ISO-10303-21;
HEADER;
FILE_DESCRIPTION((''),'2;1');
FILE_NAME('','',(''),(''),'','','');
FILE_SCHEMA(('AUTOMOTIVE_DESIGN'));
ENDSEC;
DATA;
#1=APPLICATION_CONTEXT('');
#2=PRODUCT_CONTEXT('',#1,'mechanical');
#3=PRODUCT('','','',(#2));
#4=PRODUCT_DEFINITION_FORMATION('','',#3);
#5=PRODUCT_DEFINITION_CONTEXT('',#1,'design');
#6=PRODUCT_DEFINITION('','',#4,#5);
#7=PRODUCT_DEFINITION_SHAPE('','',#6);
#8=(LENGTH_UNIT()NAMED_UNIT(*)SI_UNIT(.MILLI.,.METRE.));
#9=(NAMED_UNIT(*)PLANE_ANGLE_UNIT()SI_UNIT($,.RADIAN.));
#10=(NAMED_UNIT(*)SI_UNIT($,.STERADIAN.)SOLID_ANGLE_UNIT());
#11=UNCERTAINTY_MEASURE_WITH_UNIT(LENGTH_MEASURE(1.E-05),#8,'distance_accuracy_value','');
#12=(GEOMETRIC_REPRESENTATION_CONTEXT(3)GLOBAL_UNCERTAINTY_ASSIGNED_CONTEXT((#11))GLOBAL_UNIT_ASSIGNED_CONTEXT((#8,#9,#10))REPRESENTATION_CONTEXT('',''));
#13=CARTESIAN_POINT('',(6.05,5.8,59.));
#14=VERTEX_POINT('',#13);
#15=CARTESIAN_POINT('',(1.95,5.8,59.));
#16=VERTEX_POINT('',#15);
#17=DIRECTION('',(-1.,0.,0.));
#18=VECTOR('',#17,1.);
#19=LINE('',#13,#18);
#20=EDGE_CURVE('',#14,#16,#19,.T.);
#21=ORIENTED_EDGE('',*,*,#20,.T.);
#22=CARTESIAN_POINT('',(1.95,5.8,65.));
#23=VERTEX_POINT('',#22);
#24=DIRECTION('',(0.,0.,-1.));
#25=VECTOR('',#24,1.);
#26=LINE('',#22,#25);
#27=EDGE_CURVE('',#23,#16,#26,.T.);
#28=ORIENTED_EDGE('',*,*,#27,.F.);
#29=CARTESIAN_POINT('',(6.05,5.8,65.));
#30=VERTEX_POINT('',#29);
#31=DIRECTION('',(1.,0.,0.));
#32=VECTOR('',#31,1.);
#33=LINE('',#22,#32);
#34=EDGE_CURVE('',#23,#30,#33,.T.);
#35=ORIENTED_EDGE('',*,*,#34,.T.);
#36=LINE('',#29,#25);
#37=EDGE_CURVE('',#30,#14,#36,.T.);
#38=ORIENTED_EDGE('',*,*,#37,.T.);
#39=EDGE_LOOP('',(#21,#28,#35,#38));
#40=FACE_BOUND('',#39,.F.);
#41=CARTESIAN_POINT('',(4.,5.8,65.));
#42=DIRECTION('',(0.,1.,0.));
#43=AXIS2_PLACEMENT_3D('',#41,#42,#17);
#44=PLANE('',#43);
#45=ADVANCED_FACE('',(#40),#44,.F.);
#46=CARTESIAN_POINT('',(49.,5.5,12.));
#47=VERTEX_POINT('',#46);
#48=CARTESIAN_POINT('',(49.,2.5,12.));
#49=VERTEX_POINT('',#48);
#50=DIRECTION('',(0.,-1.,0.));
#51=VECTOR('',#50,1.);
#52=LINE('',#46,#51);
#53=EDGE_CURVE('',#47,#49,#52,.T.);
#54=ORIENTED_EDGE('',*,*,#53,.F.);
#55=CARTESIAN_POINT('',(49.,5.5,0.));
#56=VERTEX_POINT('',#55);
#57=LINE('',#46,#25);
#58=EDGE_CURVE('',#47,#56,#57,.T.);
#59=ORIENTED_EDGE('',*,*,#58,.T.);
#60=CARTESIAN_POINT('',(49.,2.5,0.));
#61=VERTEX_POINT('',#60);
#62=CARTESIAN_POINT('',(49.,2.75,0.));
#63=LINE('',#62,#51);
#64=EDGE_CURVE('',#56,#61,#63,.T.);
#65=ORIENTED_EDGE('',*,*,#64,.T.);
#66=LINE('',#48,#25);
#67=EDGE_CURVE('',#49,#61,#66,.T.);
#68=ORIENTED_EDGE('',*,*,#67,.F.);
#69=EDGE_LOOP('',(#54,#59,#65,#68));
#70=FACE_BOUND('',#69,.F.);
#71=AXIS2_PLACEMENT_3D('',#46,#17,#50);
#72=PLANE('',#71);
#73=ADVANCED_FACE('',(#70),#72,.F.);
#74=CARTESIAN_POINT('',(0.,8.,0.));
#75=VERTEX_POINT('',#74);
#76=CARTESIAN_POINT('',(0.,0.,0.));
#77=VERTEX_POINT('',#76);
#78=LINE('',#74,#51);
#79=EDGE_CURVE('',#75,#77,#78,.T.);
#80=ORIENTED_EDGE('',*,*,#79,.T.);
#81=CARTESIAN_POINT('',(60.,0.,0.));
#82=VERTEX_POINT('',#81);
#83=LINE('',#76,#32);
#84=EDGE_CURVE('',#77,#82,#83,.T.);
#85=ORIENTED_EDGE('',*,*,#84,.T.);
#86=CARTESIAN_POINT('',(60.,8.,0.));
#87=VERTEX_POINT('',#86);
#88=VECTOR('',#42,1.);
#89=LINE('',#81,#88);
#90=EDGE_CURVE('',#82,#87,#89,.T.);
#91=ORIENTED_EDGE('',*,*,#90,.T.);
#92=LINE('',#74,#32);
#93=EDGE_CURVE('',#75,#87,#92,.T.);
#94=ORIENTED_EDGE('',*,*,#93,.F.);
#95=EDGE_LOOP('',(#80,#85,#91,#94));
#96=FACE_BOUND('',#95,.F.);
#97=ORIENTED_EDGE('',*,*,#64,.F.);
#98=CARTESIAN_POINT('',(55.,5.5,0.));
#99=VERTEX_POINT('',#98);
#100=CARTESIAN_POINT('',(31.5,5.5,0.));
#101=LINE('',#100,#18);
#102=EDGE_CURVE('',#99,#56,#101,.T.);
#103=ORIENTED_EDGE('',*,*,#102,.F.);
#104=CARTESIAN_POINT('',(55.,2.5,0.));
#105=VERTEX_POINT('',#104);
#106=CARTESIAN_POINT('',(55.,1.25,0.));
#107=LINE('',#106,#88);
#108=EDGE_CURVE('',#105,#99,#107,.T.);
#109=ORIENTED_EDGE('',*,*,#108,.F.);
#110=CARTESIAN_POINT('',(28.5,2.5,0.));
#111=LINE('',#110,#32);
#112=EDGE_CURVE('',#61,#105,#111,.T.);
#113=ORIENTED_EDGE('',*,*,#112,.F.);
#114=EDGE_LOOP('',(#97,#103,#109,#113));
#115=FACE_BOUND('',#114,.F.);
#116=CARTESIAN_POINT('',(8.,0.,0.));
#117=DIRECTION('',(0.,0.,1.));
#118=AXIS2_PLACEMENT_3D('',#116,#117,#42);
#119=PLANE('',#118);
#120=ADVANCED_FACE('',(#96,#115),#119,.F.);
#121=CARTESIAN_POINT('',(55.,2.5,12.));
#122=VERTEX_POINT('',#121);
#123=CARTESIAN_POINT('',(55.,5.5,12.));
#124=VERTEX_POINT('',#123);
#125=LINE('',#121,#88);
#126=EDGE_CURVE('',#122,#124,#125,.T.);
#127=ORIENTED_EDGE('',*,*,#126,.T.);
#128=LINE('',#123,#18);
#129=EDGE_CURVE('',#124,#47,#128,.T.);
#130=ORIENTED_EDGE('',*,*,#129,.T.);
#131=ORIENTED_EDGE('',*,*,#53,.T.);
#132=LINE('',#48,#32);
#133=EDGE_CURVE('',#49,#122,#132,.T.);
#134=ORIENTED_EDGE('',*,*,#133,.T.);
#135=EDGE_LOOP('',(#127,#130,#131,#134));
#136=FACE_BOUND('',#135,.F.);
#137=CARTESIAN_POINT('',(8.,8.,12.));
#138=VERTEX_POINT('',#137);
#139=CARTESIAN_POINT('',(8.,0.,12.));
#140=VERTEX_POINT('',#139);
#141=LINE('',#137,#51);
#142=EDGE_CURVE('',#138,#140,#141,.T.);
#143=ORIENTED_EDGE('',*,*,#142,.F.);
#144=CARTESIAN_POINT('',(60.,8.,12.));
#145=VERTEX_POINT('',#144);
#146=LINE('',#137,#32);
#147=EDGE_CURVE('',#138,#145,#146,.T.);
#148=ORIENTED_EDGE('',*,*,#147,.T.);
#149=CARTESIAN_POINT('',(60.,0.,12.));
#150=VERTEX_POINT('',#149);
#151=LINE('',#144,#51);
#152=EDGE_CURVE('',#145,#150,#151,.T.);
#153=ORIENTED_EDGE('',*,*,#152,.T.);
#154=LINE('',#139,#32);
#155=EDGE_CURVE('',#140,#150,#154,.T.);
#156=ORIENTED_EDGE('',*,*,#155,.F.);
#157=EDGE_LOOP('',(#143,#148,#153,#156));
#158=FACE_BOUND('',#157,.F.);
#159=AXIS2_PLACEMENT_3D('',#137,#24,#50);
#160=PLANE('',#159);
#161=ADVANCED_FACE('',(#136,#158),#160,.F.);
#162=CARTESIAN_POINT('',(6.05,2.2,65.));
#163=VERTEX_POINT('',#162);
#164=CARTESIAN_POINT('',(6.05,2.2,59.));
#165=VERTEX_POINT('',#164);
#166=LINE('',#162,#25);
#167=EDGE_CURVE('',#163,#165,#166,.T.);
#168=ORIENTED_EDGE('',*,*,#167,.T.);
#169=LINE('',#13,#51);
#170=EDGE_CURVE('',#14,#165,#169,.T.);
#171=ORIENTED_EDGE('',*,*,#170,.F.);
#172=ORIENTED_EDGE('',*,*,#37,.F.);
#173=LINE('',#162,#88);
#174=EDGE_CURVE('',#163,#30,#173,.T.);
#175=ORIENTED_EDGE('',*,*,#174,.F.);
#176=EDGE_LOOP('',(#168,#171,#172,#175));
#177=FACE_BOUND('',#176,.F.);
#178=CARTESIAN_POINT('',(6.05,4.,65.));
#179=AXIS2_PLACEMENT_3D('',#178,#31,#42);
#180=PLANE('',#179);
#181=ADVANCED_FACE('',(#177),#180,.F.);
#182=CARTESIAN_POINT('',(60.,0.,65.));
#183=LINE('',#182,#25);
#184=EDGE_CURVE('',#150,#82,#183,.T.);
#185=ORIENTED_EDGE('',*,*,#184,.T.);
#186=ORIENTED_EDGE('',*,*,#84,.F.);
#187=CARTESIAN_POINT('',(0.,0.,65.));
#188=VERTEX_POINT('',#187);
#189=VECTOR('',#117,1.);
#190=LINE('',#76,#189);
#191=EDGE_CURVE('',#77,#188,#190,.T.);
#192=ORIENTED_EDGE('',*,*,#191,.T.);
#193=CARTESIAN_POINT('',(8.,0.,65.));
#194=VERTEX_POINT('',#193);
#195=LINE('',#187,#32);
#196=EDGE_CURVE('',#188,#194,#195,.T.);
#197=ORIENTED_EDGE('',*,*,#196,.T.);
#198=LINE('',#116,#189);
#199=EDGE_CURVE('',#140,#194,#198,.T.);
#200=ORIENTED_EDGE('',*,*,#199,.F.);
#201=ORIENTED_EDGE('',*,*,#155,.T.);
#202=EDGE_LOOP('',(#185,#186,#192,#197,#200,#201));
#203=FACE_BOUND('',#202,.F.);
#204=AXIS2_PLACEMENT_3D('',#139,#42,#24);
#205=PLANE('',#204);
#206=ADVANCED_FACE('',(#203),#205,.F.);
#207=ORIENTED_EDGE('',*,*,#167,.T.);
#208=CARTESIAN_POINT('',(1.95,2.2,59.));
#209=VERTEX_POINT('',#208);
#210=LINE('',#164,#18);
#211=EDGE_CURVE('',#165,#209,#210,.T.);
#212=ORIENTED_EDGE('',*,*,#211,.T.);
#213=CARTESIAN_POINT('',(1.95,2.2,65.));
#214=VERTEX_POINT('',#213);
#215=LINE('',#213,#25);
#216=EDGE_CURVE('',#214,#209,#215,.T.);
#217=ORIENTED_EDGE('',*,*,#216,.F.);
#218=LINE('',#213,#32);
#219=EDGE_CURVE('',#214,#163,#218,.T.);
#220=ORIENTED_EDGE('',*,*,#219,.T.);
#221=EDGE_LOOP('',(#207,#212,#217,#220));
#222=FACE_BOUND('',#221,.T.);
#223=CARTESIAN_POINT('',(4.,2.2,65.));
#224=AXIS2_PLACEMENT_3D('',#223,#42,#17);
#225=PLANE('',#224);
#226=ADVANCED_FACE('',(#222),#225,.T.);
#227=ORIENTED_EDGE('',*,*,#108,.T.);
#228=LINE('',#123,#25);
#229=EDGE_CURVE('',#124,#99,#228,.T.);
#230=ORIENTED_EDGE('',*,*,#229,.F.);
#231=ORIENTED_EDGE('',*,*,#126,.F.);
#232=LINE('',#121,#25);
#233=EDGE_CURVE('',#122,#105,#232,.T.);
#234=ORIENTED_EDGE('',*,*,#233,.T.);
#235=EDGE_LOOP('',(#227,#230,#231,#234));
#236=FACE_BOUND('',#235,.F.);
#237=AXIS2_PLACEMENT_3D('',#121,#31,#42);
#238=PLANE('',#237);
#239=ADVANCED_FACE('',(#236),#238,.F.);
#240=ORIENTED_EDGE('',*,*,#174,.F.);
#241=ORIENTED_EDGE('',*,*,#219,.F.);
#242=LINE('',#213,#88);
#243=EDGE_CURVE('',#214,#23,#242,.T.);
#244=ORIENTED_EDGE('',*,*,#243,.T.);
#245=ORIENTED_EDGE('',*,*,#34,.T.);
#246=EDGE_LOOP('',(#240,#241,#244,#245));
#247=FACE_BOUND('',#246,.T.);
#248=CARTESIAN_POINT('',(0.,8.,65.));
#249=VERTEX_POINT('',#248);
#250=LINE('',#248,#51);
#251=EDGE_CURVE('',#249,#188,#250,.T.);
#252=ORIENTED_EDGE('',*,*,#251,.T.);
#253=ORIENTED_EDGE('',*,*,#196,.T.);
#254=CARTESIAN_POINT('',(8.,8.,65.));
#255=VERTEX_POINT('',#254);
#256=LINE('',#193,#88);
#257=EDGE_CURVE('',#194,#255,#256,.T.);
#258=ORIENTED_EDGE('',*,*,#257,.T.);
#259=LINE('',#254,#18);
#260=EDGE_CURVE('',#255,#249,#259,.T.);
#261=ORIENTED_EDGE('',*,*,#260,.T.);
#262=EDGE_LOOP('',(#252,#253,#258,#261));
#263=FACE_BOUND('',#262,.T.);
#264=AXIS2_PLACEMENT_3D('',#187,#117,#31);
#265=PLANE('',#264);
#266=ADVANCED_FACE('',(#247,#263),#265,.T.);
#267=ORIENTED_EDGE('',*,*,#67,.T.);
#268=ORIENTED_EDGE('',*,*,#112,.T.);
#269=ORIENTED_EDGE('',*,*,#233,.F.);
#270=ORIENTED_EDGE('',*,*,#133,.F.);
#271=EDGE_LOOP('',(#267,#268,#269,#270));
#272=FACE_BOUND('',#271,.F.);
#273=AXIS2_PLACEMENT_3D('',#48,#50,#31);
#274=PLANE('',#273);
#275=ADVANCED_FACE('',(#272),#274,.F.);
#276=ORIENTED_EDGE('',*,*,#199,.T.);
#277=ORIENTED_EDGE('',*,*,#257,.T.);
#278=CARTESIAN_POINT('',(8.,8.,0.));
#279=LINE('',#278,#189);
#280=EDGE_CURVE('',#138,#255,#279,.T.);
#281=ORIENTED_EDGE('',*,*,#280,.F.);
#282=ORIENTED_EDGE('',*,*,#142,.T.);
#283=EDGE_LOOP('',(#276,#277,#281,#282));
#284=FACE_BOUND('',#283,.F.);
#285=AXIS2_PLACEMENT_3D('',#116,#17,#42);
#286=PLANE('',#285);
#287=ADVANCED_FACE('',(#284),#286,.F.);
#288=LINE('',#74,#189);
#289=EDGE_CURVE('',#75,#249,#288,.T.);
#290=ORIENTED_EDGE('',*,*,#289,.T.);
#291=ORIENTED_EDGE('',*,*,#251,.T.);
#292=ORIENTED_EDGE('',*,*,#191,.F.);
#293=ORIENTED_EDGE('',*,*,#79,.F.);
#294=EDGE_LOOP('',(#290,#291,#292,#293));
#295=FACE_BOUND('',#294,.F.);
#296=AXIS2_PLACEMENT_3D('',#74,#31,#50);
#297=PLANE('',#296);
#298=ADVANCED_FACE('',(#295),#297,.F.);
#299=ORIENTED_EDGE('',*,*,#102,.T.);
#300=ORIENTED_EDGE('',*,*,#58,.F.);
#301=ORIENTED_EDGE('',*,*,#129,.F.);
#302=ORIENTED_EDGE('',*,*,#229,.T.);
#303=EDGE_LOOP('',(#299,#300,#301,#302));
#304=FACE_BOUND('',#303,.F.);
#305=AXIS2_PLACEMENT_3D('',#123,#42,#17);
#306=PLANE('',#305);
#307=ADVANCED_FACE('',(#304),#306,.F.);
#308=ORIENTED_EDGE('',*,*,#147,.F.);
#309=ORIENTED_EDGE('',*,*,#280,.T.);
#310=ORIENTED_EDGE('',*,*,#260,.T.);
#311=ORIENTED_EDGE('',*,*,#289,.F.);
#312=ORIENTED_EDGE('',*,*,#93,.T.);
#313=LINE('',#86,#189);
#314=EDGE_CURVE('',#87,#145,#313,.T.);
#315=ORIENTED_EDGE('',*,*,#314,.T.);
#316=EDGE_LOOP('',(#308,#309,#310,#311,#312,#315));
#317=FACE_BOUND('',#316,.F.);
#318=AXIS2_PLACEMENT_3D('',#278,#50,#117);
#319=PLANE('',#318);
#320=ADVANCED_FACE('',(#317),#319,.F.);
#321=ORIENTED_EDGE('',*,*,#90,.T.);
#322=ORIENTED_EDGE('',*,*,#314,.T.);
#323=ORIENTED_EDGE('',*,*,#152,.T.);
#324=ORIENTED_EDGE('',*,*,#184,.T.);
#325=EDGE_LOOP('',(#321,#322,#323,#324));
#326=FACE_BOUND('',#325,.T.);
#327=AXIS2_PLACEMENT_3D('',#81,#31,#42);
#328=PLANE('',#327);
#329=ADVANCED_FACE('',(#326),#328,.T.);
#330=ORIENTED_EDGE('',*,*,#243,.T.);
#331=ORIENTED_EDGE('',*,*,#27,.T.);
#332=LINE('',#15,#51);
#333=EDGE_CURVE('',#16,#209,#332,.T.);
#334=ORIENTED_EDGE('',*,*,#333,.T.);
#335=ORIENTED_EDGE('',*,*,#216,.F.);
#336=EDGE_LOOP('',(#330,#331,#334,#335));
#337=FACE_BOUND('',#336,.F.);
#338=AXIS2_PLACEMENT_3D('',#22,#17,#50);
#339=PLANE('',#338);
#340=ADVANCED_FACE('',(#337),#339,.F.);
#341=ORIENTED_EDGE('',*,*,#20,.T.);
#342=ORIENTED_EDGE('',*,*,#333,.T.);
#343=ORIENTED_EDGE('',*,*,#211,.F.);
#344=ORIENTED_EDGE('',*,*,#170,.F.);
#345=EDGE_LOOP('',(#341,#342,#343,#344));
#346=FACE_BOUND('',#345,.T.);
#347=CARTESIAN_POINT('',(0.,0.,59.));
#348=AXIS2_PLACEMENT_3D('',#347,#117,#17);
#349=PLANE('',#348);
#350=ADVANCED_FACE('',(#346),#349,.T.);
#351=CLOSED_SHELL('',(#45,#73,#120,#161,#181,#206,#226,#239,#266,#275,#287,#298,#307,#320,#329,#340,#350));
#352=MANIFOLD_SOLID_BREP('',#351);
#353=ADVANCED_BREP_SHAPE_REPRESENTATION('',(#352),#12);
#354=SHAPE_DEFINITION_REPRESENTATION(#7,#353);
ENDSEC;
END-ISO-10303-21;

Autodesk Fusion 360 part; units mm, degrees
sketch "Esquisse1" plane through (0, 0, 0) normal (0, 0, 1) x (1, 0, 0)
  line L0 (0, 0) -> (8, 0)
  line L1 (8, 0) -> (8, 8)
  line L2 (8, 8) -> (0, 8)
  line L3 (0, 8) -> (0, 0)
  dimension "d1" = 8
  dimension "d2" = 8
extrude "Extrusion1" add sketch "Esquisse1" along normal blind 65
sketch "Esquisse8" plane through (0, 0, 65) normal (0, 0, 1) x (-1, 0, 0)
  line L0 (0, -8) -> (0, 0)
  line L1 (0, 0) -> (-8, 0)
  line L2 (-8, 0) -> (-8, -8)
  line L3 (-8, -8) -> (0, -8)
  line L4 (0, -4) -> (-8, -4)
  line L5 (-1.95, -4) -> (-6.05, -4)
  line L6 (-6.05, -4) -> (-6.05, -5.8)
  line L7 (-6.05, -5.8) -> (-1.95, -5.8)
  line L8 (-1.95, -5.8) -> (-1.95, -4)
  line L9 (-4, -8) -> (-4, 0)
  line L10 (-1.95, -2.2) -> (-1.95, -4)
  line L11 (-6.05, -2.2) -> (-1.95, -2.2)
  line L12 (-6.05, -4) -> (-6.05, -2.2)
  dimension "d41" = 4.1
  dimension "d42" = 2.05
  dimension "d43" = 1.8
extrude "Extrusion8" cut sketch "Esquisse8" against normal blind 6 contours L4 L5 L7 L8 L9 | L4 L5 L9 L10 L11 | L4 L5 L6 L7 L9 | L4 L5 L9 L11 L12
sketch "Esquisse9" plane through (8, 0, 0) normal (1, 0, 0) x (0, 1, 0)
  line L0 (0, 0) -> (8, 0)
  line L1 (8, 0) -> (8, 65)
  line L2 (8, 65) -> (0, 65)
  line L3 (0, 65) -> (0, 0)
  line L4 (0, 0) -> (8, 0)
  line L5 (8, 0) -> (8, 12)
  line L6 (8, 12) -> (0, 12)
  line L7 (0, 12) -> (0, 0)
  dimension "d46" = 12
extrude "Extrusion9" add sketch "Esquisse9" along normal blind 52 contours L0 L1 L3 L4 L5 L6 L7
sketch "Esquisse10" plane through (0, 0, 12) normal (0, 0, 1) x (-1, 0, 0)
  line L0 (-8, -8) -> (-8, 0)
  line L1 (-8, 0) -> (-60, 0)
  line L2 (-60, 0) -> (-60, -8)
  line L3 (-60, -8) -> (-8, -8)
  line L4 (-55, -5.5) -> (-49, -5.5)
  line L5 (-49, -5.5) -> (-49, -2.5)
  line L6 (-49, -2.5) -> (-55, -2.5)
  line L7 (-55, -2.5) -> (-55, -5.5)
  dimension "d49" = 2.5
  dimension "d50" = 2.5
  dimension "d51" = 5
  dimension "d52" = 6
extrude "Extrusion10" cut sketch "Esquisse10" against normal blind 23 contours L4 L5 L6 L7
